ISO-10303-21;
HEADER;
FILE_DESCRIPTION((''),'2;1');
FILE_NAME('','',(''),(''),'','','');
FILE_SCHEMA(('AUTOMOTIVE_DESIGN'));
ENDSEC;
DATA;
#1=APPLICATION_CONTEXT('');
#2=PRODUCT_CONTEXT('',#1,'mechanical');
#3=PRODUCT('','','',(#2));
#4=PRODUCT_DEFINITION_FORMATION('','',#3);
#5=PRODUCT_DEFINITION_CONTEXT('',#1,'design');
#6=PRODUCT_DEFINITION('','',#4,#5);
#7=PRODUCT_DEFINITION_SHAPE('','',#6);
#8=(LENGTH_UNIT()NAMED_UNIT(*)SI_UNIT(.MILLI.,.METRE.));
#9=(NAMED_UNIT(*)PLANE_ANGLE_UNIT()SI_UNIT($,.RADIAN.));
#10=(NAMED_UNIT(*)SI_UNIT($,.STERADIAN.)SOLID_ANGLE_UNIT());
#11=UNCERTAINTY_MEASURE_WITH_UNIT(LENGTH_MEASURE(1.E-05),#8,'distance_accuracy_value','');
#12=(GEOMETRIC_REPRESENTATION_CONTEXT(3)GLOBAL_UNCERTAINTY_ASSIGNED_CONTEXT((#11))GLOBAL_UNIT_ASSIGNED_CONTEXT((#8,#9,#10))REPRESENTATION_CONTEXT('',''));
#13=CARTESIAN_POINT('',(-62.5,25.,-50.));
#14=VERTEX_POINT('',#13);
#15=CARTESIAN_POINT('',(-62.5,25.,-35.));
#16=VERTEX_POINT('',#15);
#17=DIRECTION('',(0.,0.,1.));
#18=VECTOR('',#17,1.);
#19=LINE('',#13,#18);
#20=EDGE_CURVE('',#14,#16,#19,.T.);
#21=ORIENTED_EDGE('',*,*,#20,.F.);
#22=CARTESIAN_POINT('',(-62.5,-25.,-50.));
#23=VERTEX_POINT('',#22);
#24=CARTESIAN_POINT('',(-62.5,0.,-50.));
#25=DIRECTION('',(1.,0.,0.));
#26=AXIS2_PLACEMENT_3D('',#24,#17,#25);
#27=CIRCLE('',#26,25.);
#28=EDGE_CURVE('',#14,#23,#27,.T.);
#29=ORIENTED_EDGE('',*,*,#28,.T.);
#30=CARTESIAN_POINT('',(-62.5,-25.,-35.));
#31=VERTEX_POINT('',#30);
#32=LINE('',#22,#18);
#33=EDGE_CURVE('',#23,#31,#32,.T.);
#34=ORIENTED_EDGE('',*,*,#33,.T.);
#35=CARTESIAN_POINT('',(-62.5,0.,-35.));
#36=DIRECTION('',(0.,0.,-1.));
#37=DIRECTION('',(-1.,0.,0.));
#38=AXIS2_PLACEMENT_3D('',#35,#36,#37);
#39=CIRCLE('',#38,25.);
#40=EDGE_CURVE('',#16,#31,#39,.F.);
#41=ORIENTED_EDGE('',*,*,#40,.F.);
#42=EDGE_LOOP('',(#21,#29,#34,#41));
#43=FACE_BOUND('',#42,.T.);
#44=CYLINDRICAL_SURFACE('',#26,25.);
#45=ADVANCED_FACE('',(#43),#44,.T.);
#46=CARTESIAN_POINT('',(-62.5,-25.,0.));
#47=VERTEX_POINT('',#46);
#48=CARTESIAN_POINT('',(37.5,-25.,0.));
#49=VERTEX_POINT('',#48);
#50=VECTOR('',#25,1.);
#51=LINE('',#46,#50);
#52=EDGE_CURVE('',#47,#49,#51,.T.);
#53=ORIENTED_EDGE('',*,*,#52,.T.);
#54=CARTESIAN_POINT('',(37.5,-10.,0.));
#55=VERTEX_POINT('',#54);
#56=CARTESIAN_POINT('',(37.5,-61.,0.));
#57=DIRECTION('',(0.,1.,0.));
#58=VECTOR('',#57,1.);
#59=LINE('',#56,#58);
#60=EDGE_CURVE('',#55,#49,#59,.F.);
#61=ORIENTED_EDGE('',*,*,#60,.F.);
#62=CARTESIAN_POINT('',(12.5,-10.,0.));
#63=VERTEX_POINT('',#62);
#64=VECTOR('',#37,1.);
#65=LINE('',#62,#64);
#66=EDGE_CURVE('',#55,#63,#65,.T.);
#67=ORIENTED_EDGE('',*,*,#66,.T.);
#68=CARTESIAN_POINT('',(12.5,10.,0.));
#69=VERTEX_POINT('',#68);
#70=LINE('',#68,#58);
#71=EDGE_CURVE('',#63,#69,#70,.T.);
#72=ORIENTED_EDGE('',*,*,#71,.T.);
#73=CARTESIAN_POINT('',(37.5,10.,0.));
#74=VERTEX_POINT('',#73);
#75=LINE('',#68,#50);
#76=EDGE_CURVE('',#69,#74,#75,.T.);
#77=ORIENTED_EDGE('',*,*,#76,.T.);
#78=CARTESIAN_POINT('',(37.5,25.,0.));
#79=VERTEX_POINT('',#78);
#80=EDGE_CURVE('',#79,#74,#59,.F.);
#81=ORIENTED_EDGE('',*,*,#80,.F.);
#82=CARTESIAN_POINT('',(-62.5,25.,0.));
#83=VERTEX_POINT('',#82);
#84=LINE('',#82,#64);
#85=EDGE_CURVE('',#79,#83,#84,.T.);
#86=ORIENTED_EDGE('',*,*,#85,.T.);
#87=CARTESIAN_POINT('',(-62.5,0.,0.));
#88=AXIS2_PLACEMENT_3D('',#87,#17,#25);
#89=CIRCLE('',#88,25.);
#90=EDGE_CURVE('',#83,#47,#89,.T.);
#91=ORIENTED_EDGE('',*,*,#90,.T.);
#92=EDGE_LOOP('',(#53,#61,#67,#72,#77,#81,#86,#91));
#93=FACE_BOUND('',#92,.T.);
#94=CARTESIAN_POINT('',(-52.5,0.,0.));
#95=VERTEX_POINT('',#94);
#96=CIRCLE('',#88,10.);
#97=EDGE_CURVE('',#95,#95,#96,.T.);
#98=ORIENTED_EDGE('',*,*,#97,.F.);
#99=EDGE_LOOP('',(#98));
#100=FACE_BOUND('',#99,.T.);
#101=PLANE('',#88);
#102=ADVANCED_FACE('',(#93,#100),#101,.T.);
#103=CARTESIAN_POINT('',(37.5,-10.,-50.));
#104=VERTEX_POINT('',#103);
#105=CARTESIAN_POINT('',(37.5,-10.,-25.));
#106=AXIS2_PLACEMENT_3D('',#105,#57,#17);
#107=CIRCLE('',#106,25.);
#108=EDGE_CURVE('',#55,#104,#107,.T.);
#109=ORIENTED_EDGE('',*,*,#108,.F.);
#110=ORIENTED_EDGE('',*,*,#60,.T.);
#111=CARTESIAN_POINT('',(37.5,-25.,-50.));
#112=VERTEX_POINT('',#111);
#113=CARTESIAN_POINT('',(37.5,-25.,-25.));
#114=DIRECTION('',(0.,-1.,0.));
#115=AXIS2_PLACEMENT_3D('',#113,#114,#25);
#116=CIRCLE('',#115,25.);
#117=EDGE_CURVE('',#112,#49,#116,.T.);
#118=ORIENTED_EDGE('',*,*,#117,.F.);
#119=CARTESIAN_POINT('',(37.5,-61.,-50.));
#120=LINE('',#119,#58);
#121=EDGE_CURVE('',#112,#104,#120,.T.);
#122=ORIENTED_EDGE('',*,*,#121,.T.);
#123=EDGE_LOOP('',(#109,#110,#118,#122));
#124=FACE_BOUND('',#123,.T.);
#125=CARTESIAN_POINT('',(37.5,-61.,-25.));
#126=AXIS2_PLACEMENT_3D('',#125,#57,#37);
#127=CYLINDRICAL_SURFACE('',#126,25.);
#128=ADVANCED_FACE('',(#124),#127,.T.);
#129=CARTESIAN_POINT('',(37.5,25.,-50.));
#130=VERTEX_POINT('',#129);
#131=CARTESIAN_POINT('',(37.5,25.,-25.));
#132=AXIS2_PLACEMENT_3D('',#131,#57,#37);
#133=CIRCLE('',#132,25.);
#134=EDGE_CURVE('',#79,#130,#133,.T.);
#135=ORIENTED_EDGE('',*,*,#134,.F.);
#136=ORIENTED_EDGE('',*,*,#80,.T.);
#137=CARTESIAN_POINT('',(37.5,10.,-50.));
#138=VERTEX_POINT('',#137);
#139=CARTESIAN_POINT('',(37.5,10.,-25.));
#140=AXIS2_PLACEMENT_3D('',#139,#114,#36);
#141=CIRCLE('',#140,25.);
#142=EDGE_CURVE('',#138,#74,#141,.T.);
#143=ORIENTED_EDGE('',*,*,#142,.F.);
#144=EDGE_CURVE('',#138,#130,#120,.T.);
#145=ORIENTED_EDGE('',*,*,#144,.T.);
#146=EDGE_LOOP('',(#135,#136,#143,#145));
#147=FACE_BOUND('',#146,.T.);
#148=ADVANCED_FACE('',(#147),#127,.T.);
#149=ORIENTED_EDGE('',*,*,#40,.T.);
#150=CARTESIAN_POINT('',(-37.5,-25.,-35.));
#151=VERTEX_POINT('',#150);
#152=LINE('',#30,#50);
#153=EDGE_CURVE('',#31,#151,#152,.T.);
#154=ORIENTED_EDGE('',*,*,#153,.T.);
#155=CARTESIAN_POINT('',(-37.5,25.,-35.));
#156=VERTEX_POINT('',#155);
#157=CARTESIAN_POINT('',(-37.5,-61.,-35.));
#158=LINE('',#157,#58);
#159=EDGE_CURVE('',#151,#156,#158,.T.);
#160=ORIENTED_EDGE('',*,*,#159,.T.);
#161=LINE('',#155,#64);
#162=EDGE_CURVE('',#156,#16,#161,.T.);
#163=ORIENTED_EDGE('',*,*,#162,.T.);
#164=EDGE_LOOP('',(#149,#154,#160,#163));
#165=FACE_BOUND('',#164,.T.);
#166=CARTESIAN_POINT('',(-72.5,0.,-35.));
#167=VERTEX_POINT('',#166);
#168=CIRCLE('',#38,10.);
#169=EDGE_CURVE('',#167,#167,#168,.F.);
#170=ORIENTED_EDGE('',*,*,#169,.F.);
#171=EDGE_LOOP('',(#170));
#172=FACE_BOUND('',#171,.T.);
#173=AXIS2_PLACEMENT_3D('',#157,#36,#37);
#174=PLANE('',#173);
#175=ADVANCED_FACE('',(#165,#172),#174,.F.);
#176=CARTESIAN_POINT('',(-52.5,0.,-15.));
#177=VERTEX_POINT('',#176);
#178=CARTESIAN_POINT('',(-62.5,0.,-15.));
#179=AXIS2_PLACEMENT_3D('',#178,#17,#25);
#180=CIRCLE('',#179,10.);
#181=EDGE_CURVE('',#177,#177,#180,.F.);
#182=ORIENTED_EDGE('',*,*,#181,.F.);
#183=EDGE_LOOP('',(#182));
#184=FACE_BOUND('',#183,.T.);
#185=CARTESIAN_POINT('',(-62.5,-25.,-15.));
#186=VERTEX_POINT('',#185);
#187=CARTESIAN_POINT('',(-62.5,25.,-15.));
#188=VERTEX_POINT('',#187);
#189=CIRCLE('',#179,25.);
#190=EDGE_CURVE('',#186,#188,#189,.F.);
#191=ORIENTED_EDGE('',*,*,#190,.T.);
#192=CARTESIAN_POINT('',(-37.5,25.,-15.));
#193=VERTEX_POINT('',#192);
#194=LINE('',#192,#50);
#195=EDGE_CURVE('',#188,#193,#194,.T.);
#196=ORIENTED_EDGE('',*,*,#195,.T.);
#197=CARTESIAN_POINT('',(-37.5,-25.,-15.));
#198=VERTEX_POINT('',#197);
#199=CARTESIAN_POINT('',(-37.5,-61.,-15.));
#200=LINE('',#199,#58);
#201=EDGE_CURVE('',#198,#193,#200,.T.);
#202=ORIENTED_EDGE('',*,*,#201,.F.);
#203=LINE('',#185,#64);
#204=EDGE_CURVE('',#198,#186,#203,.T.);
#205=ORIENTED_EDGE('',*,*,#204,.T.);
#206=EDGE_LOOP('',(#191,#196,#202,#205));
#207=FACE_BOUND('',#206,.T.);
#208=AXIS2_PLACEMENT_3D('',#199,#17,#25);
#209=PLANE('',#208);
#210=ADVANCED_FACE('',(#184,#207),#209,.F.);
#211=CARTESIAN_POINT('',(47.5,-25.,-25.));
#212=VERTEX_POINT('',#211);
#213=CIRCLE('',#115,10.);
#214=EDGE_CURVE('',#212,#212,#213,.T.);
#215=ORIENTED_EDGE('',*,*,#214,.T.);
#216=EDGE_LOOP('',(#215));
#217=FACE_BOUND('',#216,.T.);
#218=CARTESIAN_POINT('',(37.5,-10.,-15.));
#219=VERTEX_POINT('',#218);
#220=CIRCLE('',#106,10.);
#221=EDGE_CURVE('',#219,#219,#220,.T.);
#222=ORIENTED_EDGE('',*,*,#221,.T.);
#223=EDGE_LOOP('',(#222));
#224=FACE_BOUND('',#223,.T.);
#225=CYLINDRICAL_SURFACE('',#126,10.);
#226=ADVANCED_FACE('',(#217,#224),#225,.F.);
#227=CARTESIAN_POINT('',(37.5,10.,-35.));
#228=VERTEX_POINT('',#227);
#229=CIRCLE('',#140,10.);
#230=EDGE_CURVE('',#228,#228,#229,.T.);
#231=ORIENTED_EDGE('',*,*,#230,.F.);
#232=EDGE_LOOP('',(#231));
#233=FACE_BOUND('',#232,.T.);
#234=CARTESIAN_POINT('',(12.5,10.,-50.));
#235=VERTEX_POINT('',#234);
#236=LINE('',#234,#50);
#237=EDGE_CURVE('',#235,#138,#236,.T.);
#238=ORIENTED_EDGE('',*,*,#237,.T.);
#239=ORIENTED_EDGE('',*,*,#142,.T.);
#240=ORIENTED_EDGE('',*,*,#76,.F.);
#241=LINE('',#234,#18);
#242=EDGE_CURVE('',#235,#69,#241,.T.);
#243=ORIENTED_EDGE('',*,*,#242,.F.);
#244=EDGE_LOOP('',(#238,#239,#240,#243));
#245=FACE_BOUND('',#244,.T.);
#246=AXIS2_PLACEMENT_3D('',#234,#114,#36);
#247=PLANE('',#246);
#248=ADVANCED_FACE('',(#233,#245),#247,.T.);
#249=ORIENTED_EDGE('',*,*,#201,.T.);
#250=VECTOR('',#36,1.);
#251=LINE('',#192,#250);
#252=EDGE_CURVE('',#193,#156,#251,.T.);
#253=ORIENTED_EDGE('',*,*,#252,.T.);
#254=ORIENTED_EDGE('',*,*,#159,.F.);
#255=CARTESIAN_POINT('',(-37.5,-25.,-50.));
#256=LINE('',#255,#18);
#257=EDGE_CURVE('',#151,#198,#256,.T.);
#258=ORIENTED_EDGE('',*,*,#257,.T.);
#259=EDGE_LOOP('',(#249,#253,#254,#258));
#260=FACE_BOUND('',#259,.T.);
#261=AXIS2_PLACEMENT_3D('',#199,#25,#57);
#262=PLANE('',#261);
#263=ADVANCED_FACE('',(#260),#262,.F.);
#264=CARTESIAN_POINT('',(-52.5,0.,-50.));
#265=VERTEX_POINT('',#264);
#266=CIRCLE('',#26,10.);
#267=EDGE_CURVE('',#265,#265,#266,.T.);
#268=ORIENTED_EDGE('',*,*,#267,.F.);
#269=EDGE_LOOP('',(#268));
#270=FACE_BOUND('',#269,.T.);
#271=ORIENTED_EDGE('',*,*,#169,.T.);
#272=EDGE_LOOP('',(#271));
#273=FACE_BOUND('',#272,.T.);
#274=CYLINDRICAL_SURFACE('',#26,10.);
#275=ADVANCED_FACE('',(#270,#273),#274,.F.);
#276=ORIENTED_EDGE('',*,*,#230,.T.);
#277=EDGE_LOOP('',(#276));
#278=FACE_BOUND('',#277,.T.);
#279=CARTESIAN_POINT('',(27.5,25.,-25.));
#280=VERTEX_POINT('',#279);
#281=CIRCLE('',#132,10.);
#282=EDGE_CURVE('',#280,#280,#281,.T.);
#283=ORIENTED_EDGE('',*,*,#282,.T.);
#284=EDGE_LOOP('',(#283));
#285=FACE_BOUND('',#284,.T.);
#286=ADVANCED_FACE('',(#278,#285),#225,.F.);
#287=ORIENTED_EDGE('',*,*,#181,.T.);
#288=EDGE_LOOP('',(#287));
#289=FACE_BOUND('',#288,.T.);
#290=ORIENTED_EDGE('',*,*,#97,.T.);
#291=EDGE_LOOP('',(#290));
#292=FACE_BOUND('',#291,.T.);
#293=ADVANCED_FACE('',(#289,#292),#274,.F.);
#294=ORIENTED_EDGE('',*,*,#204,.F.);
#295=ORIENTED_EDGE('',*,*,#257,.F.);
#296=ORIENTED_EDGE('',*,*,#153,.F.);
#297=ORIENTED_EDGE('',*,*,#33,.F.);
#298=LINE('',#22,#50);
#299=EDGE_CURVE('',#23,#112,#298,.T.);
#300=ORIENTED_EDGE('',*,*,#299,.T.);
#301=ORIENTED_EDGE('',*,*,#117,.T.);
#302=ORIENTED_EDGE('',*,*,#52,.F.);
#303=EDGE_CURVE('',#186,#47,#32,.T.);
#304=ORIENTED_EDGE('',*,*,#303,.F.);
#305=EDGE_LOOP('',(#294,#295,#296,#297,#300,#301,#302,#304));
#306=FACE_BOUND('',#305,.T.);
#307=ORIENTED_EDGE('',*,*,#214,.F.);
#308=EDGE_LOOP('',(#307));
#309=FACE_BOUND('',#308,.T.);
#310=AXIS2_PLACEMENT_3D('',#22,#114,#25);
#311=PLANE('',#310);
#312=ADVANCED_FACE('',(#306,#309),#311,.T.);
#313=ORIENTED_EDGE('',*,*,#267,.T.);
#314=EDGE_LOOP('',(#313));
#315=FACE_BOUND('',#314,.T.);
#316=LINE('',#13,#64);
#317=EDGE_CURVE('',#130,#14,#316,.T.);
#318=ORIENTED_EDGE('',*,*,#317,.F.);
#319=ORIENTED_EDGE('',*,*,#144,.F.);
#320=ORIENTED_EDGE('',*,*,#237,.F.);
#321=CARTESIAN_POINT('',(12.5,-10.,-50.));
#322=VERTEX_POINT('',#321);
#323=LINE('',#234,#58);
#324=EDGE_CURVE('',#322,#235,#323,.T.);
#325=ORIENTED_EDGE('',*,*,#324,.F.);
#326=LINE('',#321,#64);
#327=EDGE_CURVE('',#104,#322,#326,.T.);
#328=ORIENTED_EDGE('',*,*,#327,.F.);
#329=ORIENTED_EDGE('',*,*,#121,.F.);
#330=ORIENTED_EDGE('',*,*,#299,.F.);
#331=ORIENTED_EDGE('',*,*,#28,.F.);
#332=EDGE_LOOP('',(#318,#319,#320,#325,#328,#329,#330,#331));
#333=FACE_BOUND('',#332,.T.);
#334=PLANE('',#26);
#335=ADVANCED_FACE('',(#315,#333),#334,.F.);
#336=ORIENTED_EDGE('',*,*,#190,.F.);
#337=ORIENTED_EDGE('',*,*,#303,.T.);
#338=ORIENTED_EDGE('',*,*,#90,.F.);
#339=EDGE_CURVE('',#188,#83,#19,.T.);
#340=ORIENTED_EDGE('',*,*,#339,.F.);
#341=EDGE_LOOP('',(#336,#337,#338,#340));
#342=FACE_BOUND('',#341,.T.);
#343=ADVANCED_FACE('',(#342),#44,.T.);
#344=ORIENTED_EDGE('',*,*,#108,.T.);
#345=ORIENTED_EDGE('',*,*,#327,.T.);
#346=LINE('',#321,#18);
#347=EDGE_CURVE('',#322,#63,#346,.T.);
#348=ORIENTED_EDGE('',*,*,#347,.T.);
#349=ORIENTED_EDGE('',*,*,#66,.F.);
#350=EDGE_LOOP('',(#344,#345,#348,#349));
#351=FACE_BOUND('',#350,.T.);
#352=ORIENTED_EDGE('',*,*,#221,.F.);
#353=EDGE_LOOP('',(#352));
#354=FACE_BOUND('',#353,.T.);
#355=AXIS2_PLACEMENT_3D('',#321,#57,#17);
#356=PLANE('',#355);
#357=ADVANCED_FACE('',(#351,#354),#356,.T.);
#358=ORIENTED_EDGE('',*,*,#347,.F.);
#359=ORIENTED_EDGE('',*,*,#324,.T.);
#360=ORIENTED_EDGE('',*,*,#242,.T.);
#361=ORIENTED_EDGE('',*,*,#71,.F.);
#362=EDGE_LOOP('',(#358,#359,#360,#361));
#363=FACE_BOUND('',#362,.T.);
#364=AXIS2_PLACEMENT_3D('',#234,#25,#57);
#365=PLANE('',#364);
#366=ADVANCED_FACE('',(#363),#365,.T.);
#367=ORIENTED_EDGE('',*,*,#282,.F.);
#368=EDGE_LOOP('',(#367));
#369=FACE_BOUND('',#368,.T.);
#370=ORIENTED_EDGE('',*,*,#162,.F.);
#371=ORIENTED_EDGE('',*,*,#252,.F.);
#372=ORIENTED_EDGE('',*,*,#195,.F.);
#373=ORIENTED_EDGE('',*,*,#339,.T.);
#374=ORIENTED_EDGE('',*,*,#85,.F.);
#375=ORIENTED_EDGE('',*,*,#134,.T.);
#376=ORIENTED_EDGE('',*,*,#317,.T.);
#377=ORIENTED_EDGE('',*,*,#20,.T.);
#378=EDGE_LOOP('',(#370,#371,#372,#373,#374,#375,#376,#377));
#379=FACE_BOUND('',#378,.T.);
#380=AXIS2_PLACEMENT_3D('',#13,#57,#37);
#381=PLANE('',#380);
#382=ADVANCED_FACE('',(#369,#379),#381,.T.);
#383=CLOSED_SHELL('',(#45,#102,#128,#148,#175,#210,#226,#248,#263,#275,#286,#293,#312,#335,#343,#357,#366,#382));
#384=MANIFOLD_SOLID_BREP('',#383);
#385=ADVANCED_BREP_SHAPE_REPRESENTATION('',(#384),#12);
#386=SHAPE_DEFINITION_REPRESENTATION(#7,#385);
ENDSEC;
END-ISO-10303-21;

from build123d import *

# Parameters (mm, degrees)
SKETCH1_R           = 10
BOSS_EXTRUDE1_DEPTH = 50
CUT_EXTRUDE6_DEPTH  = 86
CUT_EXTRUDE7_DEPTH  = 86
SKETCH4_R           = 10
CUT_EXTRUDE8_DEPTH  = 86
SKETCH5_W           = 50
SKETCH5_H           = 20
CUT_EXTRUDE9_DEPTH  = 86


with BuildPart() as part:
    # Sketch1 → Boss-Extrude1 (new body)
    with BuildSketch(Plane.XY):
        with BuildLine():
            Line((12.5, 10), (62.5, 10))
            Line((62.5, 10), (62.5, 25))
            Line((62.5, 25), (-62.5, 25))
            ThreePointArc((-62.5, 25), (-87.5, 0), (-62.5, -25))
            Line((-62.5, -25), (62.5, -25))
            Line((62.5, -25), (62.5, -10))
            Line((62.5, -10), (12.5, -10))
            Line((12.5, -10), (12.5, 10))
        make_face()
        with Locations((-62.5, 0)):
            Circle(SKETCH1_R, mode=Mode.SUBTRACT)
    extrude(amount=-BOSS_EXTRUDE1_DEPTH)

    # Sketch2 → Cut-Extrude6 (cut)
    with BuildSketch(Plane(origin=(0, 25, 0), x_dir=(1, 0, 0), z_dir=(0, 1, 0))):
        with BuildLine():
            Line((37.5, 50), (62.5, 50))
            Line((62.5, 50), (62.5, 25))
            ThreePointArc((62.5, 25), (55.17766953, 42.67766953), (37.5, 50))
        make_face()
    extrude(amount=-CUT_EXTRUDE6_DEPTH, mode=Mode.SUBTRACT)

    # Sketch3 → Cut-Extrude7 (cut)
    with BuildSketch(Plane(origin=(0, 25, 0), x_dir=(1, 0, 0), z_dir=(0, 1, 0))):
        with BuildLine():
            Line((37.5, 0), (62.5, 0))
            Line((62.5, 0), (62.5, 25))
            ThreePointArc((62.5, 25), (55.17766953, 7.32233047), (37.5, 0))
        make_face()
    extrude(amount=-CUT_EXTRUDE7_DEPTH, mode=Mode.SUBTRACT)

    # Sketch4 → Cut-Extrude8 (cut)
    with BuildSketch(Plane(origin=(0, 25, 0), x_dir=(1, 0, 0), z_dir=(0, 1, 0))):
        with Locations(Location((37.5, 25, 0), (0, 0, 270))):
            Circle(SKETCH4_R)
    extrude(amount=-CUT_EXTRUDE8_DEPTH, mode=Mode.SUBTRACT)

    # Sketch5 → Cut-Extrude9 (cut)
    with BuildSketch(Plane(origin=(0, 25, 0), x_dir=(1, 0, 0), z_dir=(0, 1, 0))):
        with Locations((-62.5, 25)):
            Rectangle(SKETCH5_W, SKETCH5_H)
    extrude(amount=-CUT_EXTRUDE9_DEPTH, mode=Mode.SUBTRACT)


solid = part.part
